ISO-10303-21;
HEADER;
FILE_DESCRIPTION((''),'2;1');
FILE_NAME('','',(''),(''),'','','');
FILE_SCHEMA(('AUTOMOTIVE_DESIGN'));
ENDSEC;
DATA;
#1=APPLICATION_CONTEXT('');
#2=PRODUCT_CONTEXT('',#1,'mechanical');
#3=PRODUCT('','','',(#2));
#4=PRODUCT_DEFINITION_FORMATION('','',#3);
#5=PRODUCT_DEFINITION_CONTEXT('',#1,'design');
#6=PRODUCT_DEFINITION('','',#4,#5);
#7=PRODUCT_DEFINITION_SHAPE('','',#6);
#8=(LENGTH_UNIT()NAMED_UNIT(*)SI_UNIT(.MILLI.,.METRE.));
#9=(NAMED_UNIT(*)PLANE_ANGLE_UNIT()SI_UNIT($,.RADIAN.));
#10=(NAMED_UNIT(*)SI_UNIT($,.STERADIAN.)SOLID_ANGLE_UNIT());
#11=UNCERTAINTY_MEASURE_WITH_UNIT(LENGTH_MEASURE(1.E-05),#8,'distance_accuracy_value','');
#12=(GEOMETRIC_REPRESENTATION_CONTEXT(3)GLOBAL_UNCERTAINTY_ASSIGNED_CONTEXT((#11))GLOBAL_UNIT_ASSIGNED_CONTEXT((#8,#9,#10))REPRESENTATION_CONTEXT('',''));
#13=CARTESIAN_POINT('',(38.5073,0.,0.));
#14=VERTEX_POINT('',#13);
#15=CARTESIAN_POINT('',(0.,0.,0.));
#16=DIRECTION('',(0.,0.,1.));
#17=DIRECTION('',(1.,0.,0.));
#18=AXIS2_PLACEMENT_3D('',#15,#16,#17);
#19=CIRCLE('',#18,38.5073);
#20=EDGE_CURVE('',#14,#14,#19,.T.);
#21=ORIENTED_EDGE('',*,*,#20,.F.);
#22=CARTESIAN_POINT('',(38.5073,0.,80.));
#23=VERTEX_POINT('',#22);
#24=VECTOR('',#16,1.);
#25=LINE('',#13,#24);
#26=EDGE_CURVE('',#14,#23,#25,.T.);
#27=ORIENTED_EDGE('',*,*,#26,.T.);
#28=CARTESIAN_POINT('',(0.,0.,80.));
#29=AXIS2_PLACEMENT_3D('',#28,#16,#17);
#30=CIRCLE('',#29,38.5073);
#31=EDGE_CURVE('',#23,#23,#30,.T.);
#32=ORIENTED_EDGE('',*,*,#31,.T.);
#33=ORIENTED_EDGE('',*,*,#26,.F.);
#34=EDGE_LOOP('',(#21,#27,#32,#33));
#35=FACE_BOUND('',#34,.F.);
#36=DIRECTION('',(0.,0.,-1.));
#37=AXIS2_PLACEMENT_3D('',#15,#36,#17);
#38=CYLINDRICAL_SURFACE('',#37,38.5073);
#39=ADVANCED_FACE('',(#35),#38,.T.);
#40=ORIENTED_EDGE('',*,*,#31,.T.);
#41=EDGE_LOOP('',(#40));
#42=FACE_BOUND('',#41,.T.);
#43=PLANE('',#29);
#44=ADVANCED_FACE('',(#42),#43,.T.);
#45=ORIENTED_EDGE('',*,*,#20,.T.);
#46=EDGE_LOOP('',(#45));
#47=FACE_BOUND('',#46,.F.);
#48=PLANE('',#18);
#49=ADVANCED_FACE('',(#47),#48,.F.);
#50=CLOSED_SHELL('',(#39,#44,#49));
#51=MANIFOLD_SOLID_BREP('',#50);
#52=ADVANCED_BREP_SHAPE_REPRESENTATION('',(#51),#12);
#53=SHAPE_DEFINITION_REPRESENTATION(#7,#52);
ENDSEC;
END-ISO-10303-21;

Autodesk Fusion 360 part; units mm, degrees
sketch "Sketch1" plane through (0, 0, 0) normal (0, 0, 1) x (1, 0, 0)
  circle A0 centre (0, 0) radius 38.5073
  dimension "d1" = 77.0145
extrude "Extrude1" add sketch "Sketch1" along normal blind 80
